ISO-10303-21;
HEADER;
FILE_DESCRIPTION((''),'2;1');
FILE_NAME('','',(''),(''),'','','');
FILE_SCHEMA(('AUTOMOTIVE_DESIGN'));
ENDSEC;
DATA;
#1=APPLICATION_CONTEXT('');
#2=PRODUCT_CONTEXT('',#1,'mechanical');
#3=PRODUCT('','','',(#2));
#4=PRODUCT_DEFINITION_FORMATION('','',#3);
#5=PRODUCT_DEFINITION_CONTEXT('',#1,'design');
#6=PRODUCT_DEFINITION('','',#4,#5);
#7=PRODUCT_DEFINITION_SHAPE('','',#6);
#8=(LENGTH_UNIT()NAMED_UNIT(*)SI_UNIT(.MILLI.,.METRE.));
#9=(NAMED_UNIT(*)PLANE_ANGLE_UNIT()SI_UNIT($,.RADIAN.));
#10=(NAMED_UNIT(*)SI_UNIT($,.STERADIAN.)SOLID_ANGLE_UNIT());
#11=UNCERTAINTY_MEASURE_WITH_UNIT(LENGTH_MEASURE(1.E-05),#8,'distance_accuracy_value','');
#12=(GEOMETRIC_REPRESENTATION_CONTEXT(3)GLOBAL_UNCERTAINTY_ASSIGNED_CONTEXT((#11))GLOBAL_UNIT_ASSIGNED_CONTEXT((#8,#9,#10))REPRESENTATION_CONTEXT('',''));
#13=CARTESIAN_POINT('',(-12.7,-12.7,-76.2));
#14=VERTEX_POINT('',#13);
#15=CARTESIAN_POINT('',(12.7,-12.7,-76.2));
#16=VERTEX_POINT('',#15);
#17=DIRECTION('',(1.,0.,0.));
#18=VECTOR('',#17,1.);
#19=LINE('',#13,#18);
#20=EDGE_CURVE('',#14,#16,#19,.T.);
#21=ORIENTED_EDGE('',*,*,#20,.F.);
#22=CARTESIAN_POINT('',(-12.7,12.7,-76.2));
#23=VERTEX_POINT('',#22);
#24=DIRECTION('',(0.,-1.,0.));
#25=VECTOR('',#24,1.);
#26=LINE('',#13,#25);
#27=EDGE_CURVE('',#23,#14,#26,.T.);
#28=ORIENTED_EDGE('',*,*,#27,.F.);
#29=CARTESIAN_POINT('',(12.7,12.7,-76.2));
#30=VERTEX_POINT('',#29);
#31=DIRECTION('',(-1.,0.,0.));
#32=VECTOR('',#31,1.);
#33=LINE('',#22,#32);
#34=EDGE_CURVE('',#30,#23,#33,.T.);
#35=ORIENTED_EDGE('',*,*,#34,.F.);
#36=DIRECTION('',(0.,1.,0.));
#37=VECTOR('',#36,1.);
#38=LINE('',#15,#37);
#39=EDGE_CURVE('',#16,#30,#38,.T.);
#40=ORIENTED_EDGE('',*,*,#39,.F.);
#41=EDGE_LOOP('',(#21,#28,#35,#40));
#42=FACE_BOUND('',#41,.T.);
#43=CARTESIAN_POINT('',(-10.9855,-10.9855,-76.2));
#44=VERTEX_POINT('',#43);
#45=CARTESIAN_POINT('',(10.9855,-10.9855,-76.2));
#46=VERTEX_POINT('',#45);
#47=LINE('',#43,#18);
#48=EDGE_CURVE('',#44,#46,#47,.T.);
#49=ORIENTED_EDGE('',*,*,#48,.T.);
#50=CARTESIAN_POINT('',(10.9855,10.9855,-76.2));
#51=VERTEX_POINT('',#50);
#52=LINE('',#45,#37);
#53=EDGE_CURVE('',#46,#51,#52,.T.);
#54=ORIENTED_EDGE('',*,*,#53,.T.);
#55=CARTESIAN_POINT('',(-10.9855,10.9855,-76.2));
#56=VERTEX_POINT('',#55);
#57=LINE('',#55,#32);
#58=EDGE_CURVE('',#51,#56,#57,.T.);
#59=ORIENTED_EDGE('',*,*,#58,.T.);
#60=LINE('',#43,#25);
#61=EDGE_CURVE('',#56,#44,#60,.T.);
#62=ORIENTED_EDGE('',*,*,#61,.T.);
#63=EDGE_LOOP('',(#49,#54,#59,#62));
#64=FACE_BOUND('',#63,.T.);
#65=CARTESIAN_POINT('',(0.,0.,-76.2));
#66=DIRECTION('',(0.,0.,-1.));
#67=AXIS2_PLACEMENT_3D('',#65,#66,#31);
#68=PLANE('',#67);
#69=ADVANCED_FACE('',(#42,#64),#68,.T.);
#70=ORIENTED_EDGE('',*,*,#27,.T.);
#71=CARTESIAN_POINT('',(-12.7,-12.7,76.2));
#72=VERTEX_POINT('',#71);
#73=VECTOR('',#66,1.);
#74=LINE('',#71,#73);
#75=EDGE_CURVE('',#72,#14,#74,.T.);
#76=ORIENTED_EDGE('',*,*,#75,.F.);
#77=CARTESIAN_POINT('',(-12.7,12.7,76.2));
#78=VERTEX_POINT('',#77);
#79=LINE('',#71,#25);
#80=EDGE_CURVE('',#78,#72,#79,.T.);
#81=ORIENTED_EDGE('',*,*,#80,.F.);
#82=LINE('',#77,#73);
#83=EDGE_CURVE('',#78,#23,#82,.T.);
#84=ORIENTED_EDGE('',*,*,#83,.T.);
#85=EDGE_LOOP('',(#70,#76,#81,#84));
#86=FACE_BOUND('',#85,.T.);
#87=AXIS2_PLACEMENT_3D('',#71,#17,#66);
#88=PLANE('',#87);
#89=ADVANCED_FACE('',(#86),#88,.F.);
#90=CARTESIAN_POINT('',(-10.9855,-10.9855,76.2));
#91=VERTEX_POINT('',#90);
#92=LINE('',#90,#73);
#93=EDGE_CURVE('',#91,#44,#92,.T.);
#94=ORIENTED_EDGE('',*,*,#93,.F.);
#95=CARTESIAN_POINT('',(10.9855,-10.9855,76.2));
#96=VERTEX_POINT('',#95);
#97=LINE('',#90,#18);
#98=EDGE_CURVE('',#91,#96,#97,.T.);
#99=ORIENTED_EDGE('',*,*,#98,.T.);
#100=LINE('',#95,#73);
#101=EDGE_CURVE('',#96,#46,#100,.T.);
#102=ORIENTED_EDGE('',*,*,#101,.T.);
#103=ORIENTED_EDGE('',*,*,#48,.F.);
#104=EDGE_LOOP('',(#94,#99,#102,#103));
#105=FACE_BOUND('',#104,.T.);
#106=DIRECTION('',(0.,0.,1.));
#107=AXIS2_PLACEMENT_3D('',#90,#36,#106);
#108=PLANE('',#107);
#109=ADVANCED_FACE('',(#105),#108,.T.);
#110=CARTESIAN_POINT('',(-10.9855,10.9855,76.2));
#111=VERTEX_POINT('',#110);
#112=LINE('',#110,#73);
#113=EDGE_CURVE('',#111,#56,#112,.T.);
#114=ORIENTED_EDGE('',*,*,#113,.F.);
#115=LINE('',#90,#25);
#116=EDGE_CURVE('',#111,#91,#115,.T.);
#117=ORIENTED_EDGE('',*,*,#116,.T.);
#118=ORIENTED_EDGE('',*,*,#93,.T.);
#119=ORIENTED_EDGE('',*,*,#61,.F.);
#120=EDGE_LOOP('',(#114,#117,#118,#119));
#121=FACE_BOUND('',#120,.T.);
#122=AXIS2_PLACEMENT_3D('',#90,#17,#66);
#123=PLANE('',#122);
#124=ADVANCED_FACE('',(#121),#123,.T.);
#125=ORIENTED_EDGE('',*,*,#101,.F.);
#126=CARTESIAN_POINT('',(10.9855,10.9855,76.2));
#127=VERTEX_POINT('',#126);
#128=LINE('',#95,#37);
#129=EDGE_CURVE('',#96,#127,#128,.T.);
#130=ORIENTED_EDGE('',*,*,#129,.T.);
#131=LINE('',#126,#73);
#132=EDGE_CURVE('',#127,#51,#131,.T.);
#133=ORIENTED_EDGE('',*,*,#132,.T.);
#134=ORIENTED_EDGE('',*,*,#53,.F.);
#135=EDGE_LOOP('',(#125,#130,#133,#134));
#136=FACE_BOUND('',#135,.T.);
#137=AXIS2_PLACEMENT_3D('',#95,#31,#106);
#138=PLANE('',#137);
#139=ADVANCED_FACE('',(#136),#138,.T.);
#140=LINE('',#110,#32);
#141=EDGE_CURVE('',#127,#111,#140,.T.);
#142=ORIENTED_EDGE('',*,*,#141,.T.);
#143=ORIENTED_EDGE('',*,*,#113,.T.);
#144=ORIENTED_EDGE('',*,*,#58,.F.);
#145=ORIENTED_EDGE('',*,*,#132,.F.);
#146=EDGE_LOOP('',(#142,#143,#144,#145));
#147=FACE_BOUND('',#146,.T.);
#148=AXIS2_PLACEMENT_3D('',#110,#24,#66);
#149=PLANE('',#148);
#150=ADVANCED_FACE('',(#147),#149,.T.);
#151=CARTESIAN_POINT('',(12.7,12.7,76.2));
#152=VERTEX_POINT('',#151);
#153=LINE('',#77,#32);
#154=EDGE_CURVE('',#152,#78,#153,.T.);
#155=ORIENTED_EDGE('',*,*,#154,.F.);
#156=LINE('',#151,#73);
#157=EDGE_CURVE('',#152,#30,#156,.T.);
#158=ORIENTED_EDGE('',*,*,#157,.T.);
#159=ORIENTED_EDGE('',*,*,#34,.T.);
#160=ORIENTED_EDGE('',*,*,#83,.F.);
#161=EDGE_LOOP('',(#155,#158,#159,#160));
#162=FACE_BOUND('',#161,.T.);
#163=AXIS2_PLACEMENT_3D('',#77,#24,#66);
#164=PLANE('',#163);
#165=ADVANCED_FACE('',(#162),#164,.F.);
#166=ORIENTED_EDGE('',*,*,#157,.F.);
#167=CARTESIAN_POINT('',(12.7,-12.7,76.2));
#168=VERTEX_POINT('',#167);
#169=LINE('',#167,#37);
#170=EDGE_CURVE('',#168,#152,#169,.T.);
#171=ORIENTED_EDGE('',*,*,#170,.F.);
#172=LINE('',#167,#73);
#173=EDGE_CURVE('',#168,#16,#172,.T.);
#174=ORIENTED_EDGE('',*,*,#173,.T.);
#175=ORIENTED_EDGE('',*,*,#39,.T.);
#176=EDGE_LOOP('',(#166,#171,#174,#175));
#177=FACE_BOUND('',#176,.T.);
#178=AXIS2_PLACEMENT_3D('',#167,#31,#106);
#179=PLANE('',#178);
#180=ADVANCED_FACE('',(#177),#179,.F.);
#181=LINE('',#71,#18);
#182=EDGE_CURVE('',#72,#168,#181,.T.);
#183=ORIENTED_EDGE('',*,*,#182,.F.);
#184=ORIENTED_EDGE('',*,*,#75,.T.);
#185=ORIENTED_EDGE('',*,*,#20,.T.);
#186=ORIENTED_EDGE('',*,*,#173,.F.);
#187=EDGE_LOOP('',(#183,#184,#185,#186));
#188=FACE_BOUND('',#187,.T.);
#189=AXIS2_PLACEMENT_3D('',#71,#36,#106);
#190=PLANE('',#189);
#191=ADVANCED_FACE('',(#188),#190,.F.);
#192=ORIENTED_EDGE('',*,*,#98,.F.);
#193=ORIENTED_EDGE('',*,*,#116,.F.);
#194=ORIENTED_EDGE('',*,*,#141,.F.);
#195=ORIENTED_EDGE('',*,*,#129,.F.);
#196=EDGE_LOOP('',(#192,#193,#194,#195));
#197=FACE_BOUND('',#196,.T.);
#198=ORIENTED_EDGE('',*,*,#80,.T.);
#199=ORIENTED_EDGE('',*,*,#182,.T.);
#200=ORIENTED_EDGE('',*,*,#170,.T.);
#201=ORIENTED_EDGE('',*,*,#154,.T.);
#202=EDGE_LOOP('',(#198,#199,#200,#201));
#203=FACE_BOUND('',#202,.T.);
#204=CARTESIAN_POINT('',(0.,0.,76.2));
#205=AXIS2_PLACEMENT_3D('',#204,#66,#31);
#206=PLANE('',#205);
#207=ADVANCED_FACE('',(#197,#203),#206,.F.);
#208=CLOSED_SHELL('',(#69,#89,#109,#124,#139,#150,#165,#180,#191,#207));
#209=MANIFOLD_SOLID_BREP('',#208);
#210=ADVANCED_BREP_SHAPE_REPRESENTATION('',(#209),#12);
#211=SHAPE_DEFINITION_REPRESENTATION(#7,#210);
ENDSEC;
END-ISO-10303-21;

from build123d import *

# Parameters (mm, degrees)
SKETCH1_W           = 25.4
SKETCH1_H           = 25.4
SKETCH1_W_2         = 21.971
SKETCH1_H_2         = 21.971
BOSS_EXTRUDE1_DEPTH = 76.2


with BuildPart() as part:
    # Sketch1 → Boss-Extrude1 (new, symmetric)
    with BuildSketch(Plane.XY):
        Rectangle(SKETCH1_W, SKETCH1_H)
        Rectangle(SKETCH1_W_2, SKETCH1_H_2, mode=Mode.SUBTRACT)
    extrude(amount=BOSS_EXTRUDE1_DEPTH, both=True)


solid = part.part
